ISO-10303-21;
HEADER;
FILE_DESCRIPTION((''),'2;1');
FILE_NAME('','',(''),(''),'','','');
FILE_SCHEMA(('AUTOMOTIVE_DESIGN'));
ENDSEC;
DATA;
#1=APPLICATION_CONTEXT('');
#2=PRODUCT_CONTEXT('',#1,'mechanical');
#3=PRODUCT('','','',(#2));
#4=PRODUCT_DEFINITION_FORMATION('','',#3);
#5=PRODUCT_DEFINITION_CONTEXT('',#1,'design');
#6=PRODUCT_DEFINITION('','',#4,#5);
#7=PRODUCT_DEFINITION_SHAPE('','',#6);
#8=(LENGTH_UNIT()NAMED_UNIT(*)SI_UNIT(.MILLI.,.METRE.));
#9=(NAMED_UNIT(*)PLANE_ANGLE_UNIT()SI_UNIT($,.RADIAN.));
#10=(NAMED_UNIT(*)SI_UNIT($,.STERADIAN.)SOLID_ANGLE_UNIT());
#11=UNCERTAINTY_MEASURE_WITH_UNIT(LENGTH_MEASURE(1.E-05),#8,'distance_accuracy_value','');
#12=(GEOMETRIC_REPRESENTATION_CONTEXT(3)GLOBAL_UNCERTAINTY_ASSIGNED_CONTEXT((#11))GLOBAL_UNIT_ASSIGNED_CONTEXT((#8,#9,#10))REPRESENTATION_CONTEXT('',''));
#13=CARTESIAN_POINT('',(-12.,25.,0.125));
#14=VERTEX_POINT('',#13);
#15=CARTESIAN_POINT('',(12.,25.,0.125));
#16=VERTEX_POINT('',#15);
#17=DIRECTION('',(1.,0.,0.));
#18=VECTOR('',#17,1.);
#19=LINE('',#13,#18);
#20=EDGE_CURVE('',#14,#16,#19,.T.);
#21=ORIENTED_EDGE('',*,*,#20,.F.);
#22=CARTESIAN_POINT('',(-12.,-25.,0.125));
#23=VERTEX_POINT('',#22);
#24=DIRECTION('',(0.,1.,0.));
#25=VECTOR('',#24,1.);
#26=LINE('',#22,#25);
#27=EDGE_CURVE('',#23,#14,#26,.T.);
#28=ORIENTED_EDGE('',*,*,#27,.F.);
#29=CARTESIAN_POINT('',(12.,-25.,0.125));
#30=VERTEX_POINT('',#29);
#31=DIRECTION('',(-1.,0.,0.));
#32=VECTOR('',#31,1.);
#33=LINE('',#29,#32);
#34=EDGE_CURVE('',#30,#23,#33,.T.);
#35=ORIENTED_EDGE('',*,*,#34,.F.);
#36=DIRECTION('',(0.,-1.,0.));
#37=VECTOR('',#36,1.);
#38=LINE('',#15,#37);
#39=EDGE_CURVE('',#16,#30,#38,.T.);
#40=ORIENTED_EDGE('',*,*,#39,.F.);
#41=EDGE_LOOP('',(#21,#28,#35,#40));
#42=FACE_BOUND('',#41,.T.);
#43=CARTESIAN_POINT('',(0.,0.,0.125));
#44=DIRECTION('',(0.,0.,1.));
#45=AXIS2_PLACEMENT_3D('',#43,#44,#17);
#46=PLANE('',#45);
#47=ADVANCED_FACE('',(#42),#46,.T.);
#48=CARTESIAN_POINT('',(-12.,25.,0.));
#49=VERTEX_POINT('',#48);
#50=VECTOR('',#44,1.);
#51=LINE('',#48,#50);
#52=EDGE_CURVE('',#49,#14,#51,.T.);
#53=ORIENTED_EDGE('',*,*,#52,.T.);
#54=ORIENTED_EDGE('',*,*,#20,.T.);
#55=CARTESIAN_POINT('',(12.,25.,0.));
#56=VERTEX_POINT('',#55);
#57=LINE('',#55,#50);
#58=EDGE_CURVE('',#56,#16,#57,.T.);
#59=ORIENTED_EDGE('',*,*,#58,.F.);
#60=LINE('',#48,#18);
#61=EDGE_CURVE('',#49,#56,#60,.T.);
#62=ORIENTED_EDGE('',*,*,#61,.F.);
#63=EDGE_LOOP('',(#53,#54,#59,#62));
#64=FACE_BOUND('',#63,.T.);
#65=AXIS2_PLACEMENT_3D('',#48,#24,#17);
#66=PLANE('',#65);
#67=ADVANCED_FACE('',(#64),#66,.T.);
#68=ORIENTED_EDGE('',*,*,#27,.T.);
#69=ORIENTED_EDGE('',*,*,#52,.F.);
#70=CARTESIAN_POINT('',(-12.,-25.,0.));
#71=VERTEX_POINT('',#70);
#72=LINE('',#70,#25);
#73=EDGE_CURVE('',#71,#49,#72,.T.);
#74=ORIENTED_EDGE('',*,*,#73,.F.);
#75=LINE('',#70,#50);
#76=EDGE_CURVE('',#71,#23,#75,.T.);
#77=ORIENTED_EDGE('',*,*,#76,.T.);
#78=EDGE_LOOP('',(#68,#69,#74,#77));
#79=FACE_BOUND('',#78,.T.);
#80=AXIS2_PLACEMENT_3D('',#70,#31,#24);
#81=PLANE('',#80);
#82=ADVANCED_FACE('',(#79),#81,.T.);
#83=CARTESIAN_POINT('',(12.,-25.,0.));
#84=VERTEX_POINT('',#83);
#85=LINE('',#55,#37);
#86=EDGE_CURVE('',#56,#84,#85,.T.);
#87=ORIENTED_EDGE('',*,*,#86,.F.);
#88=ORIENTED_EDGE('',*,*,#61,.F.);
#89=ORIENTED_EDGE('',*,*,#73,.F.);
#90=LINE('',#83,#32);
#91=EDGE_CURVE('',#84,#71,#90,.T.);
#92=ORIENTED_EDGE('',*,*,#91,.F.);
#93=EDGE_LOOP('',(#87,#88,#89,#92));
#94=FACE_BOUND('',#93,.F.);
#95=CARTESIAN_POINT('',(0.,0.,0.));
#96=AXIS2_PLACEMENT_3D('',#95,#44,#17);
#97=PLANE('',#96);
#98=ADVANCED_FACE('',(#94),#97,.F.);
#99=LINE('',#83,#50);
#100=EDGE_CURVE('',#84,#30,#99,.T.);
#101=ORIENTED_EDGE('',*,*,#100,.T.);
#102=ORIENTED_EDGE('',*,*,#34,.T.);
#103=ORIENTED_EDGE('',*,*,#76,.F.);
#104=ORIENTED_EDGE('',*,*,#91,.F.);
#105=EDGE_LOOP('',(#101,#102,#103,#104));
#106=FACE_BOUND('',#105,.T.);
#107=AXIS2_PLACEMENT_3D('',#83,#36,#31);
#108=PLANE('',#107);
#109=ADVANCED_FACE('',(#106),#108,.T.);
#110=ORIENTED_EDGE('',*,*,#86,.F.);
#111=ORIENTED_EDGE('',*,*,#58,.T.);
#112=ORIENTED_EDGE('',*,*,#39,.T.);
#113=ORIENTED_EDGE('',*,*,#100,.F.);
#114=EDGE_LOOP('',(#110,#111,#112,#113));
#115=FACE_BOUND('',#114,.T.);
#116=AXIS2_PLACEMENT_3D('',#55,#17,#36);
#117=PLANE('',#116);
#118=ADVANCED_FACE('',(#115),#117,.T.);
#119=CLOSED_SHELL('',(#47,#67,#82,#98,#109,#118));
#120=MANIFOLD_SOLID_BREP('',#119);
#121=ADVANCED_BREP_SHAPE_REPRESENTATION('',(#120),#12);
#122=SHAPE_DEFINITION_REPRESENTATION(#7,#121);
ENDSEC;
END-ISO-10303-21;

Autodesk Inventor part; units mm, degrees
ref_plane "YZ Plane" through (0, 0, 0) normal (1, 0, 0) x (0, 1, 0)
ref_plane "XZ Plane" through (0, 0, 0) normal (0, 1, 0) x (-1, 0, 0)
ref_plane "XY Plane" through (0, 0, 0) normal (0, 0, 1) x (1, 0, 0)
sketch "Sketch1" plane through (0, 0, 0) normal (0, 0, 1) x (1, 0, 0)
  line L0 (12, -25) -> (-12, -25)
  line L1 (-12, -25) -> (-12, 25)
  line L2 (-12, 25) -> (12, 25)
  line L3 (12, 25) -> (12, -25)
  line L4 (12, -25) -> (-12, 25) construction
  line L5 (-12, -25) -> (12, 25) construction
  point P0 (0, 0)
  dimension "d0" = 24
  dimension "d1" = 50
extrude "Extrusion1" add sketch "Sketch1" along normal blind 0.125
ref_plane "Work Plane1" through (0, -25, 0) normal (1, 0, 0) x (0, 0, -1)
ref_plane "Work Plane2" through (-12, 0, 0) normal (0, -1, 0) x (1, 0, 0)
properties part number "00_coverslip_24x50mm"
